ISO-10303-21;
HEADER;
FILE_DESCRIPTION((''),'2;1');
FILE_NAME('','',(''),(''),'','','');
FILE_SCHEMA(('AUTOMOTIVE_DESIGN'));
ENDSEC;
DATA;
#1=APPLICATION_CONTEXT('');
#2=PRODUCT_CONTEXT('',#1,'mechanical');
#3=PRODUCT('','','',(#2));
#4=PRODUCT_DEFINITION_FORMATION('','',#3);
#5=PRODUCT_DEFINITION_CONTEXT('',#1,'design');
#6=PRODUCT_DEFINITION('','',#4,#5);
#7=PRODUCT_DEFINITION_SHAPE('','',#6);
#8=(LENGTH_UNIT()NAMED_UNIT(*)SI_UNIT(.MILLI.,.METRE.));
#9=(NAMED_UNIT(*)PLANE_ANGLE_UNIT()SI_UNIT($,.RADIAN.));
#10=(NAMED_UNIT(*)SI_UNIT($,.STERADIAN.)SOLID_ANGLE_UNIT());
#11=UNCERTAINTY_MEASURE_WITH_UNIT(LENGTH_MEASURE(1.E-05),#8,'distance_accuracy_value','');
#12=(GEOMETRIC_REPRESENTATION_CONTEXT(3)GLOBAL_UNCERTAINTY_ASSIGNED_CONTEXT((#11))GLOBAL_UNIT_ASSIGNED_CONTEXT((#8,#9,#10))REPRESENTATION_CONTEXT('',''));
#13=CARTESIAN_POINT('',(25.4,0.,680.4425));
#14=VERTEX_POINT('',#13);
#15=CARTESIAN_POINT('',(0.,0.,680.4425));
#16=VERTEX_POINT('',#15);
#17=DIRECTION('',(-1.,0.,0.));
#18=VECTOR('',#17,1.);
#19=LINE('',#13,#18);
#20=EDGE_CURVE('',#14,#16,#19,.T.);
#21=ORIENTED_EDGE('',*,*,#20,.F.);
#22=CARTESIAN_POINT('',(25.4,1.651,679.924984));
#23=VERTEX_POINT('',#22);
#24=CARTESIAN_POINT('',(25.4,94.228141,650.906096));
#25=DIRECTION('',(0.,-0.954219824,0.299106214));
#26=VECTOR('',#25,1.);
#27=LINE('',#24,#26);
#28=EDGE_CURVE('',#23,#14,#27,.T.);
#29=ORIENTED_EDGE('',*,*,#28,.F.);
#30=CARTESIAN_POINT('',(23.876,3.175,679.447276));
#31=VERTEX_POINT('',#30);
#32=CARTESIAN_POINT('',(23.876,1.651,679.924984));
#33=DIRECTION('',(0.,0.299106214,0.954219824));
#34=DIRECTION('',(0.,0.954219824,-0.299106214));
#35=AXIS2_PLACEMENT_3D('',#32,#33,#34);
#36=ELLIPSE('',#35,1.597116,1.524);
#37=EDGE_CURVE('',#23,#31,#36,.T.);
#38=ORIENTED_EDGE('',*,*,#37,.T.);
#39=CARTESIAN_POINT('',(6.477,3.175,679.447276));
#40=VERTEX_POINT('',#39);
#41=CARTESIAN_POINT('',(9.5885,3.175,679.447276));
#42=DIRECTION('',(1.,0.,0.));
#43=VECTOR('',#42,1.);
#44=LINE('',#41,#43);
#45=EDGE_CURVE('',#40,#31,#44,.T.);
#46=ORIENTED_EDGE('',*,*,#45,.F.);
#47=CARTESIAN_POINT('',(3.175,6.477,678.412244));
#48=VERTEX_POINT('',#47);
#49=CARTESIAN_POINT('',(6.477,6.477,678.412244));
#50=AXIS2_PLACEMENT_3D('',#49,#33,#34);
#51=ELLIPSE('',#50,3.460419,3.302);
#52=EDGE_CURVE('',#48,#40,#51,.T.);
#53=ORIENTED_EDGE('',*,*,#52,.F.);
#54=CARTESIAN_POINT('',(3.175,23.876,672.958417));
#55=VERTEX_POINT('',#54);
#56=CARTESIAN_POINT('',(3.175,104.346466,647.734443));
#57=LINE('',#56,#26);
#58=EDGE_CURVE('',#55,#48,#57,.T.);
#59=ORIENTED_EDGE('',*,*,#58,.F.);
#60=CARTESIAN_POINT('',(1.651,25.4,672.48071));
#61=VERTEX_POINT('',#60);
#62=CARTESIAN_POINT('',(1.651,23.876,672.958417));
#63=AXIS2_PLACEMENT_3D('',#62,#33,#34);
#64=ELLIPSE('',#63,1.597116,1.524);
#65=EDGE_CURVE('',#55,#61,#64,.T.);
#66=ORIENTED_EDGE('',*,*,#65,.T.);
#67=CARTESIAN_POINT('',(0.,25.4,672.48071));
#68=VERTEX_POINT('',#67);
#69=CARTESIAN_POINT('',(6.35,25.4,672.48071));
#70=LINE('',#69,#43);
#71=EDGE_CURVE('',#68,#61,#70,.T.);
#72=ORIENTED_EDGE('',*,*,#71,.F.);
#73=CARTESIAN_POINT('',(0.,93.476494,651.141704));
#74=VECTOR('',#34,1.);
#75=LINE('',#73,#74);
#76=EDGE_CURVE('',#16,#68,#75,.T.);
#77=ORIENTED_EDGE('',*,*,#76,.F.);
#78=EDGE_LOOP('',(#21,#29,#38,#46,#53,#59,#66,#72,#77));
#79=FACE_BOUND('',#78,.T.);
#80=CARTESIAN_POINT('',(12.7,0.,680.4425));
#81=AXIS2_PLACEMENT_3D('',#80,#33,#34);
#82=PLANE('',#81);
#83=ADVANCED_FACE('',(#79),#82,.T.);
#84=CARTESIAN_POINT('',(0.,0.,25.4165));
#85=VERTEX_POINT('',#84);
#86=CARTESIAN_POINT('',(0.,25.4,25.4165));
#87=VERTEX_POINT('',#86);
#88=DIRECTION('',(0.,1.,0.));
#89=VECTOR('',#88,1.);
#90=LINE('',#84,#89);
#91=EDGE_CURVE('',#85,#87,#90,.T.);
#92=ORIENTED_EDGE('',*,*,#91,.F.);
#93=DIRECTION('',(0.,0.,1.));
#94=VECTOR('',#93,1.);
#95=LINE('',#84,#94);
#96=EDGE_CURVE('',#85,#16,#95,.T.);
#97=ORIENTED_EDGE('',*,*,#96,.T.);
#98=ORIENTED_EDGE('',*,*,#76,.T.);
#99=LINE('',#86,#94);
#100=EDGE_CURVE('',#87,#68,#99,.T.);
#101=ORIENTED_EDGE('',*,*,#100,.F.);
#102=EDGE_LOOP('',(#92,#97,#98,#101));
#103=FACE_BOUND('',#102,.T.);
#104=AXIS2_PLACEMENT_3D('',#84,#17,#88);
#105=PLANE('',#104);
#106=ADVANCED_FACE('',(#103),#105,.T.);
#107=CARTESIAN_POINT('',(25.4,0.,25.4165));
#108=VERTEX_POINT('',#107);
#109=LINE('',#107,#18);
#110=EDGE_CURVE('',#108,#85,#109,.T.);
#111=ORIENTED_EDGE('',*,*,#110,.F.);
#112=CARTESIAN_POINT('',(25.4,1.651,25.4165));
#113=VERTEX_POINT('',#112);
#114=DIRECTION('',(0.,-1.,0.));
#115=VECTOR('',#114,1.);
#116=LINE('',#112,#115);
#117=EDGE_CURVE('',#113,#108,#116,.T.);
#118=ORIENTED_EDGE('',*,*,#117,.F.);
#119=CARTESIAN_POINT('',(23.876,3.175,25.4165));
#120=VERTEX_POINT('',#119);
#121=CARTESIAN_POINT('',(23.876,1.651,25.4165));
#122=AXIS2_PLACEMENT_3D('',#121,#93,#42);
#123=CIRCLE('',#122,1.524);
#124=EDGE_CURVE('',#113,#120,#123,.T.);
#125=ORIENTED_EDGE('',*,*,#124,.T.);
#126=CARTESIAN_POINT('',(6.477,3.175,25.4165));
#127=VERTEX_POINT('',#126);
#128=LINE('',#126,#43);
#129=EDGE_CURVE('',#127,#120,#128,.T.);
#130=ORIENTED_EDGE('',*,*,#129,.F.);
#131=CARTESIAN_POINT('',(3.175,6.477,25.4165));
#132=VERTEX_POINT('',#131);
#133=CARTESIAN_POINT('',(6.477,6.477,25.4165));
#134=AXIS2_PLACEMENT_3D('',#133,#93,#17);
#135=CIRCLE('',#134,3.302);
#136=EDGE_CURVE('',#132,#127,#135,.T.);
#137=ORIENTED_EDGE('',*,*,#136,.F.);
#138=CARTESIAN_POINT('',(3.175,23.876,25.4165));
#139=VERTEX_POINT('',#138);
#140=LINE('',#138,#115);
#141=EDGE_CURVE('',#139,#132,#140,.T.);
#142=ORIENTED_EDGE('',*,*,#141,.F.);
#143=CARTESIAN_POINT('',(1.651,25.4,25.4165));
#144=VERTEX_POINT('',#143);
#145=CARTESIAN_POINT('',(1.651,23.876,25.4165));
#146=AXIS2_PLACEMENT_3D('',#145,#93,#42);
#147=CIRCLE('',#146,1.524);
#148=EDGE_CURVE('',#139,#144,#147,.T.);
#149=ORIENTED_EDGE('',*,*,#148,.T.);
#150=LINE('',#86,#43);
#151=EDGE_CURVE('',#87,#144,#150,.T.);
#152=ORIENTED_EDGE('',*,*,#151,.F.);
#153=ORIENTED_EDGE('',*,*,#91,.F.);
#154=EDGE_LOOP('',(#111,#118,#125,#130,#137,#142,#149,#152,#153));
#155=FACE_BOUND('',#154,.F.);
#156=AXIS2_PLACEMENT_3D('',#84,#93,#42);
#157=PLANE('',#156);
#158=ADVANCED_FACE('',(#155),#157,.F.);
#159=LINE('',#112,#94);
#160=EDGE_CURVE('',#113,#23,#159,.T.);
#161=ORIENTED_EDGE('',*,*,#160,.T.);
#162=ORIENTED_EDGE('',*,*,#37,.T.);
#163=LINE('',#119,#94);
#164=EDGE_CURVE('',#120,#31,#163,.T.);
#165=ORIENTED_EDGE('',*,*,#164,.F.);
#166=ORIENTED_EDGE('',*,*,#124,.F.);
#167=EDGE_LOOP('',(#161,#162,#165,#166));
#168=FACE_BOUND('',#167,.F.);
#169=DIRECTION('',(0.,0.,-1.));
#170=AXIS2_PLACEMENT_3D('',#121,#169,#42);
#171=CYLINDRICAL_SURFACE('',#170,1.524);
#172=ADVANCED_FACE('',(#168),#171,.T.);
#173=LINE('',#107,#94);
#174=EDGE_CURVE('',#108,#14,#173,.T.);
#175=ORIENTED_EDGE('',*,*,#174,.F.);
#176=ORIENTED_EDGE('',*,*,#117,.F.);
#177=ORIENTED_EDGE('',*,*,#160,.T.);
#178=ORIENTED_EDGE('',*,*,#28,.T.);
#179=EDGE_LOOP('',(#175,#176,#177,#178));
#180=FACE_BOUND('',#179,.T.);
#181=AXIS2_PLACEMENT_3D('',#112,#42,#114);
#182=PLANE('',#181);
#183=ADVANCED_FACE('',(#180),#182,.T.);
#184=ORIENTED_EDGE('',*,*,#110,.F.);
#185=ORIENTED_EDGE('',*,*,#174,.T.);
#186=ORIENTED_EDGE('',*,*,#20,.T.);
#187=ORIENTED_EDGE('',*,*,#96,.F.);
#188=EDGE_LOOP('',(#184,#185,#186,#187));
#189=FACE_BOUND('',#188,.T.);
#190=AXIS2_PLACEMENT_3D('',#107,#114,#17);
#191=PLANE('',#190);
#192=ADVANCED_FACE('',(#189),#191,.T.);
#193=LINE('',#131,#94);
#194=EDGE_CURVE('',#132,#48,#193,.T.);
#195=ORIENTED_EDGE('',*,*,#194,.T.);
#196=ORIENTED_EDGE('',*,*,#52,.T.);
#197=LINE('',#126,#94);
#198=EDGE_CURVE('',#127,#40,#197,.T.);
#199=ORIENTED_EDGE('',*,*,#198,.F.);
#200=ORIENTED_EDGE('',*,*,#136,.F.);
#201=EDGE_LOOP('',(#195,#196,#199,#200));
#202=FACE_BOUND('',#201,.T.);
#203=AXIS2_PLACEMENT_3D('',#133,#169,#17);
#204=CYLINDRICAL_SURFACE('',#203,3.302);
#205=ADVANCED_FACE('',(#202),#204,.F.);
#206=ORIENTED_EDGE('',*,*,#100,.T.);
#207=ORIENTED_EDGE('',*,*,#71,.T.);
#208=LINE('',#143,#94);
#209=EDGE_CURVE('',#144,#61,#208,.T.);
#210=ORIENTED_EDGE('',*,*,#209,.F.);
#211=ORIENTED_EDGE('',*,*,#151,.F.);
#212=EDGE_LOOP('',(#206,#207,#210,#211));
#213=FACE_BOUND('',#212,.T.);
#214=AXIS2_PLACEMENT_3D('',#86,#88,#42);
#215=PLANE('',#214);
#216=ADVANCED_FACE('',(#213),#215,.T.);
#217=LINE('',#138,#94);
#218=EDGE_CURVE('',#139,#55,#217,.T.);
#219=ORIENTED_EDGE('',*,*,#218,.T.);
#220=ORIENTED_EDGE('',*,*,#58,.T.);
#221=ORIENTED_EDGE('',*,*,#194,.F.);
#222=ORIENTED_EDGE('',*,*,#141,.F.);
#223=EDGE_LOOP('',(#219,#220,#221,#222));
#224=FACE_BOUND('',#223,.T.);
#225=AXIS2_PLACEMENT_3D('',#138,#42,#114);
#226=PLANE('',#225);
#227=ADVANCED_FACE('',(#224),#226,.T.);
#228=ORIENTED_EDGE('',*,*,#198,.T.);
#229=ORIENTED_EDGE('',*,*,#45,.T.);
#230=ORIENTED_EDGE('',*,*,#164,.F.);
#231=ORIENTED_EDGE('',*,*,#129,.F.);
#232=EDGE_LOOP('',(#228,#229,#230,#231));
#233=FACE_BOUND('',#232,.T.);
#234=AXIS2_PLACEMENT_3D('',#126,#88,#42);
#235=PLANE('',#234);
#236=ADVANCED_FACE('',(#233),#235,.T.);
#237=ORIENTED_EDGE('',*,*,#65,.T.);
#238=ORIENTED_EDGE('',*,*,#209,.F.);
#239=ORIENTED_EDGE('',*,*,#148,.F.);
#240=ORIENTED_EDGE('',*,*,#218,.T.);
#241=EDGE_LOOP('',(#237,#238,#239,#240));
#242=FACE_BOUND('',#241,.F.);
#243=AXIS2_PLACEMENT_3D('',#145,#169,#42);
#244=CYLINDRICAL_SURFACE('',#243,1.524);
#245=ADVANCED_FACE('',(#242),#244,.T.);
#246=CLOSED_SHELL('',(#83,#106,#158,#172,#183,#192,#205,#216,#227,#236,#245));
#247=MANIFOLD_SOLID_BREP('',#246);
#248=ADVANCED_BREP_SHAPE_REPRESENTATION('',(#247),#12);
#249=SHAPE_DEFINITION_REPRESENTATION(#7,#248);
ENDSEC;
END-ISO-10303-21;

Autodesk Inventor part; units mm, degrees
ref_plane "Start Plane" through (0, 0, 25.4165) normal (0, 0, 1) x (1, 0, 0)
ref_plane "End Plane" through (0, 0, 680.4425) normal (0, 0, 1) x (1, 0, 0)
sketch "Sketch" plane through (0, 0, 0) normal (0, 0, 1) x (1, 0, 0)
  line L0 (25.4, 0) -> (0, 0)
  line L1 (0, 0) -> (0, 25.4)
  line L2 (0, 25.4) -> (1.651, 25.4)
  line L3 (3.175, 23.876) -> (3.175, 6.477)
  line L4 (6.477, 3.175) -> (23.876, 3.175)
  line L5 (25.4, 1.651) -> (25.4, 0)
  line L6 (0, -11.0414) -> (0, 31.5385) construction
  line L7 (-11.0414, 0) -> (31.5385, 0) construction
  arc A0 (3.175, 6.477) -> (6.477, 3.175) centre (6.477, 6.477) ccw
  arc A1 (3.175, 23.876) -> (1.651, 25.4) centre (1.651, 23.876) ccw
  arc A2 (25.4, 1.651) -> (23.876, 3.175) centre (23.876, 1.651) ccw
  line L8 (0, 40.0545) -> (0, -19.5574) construction
  line L9 (-19.5574, 0) -> (40.0545, 0) construction
  point P0 (3.175, 25.4)
  point P1 (3.175, 3.175)
  point P2 (25.4, 3.175)
  dimension "d0" = 25.4
  dimension "d1" = 25.4
  dimension "d2" = 3.175
  dimension "d3" = 3.175
  dimension "d10" = 0
  dimension "d11" = 0
  dimension "d14" = 3.302
  dimension "d15" = 1.524
extrude "Body" add sketch "Sketch" along normal up to surface (655.026 mm away) from surface at 25.4165
sketch "Sketch3" plane through (0, 0, 0) normal (0, 0, 1) x (1, 0, 0)
  line L0 (0, 0) -> (10, 0)
ref_plane "Work Plane3" through (0, 0, 0) normal (0, -1, 0) x (1, 0, 0)
ref_plane "Work Plane4" through (12.7, 0, 680.4425) normal (0, 0.2991, 0.9542) x (1, 0, 0)
split "Split1" plane through (12.7, 0, 680.4425) removes the side toward (0, 0.2991, 0.9542)
ref_plane "Work Plane5" through (25.4, -0.8564, 23.7336) normal (1, 0, 0) x (0, 0, -1)
split "Split2" plane through (25.4, -0.8564, 23.7336) removes the side toward (1, 0, 0)
sketch "Sketch4" plane through (0, 0, 0) normal (0, -1, 0) x (1, 0, 0)
  line L0 (-2, 25.4165) -> (12, 25.4165) projected
  line L1 (-2, 680.4425) -> (12, 680.4425) projected
  dimension "d17" = 655.026
equation "\"d0\" = G_H"
equation "\"d1\" = G_H"
equation "\"d2\" = G_T"
equation "\"d3\" = G_T"
equation "\"d14\" = G_IR"
equation "\"d15\" = G_ER"
equation "\"d4\" = G_L"
equation "\"G_H\" = 25.4"
equation "\"G_T\" = 3.175"
equation "\"G_ER\" = 1.524"
equation "\"G_IR\" = 3.302"
equation "\"G_L\" = d17"
equation "\"ex\" = 0"
equation "\"G_OFFSET_START\" = -25.41653"
equation "\"G_OFFSET_END\" = 0"
equation "\"d12\" = -G_OFFSET_START"
equation "\"d13\" = G_OFFSET_END + B_L"
equation "\"B_L\" = 680.44252"
properties part number "AISC - L 1 x 1 x 1/8 - 25.788" material "Steel, Mild"
